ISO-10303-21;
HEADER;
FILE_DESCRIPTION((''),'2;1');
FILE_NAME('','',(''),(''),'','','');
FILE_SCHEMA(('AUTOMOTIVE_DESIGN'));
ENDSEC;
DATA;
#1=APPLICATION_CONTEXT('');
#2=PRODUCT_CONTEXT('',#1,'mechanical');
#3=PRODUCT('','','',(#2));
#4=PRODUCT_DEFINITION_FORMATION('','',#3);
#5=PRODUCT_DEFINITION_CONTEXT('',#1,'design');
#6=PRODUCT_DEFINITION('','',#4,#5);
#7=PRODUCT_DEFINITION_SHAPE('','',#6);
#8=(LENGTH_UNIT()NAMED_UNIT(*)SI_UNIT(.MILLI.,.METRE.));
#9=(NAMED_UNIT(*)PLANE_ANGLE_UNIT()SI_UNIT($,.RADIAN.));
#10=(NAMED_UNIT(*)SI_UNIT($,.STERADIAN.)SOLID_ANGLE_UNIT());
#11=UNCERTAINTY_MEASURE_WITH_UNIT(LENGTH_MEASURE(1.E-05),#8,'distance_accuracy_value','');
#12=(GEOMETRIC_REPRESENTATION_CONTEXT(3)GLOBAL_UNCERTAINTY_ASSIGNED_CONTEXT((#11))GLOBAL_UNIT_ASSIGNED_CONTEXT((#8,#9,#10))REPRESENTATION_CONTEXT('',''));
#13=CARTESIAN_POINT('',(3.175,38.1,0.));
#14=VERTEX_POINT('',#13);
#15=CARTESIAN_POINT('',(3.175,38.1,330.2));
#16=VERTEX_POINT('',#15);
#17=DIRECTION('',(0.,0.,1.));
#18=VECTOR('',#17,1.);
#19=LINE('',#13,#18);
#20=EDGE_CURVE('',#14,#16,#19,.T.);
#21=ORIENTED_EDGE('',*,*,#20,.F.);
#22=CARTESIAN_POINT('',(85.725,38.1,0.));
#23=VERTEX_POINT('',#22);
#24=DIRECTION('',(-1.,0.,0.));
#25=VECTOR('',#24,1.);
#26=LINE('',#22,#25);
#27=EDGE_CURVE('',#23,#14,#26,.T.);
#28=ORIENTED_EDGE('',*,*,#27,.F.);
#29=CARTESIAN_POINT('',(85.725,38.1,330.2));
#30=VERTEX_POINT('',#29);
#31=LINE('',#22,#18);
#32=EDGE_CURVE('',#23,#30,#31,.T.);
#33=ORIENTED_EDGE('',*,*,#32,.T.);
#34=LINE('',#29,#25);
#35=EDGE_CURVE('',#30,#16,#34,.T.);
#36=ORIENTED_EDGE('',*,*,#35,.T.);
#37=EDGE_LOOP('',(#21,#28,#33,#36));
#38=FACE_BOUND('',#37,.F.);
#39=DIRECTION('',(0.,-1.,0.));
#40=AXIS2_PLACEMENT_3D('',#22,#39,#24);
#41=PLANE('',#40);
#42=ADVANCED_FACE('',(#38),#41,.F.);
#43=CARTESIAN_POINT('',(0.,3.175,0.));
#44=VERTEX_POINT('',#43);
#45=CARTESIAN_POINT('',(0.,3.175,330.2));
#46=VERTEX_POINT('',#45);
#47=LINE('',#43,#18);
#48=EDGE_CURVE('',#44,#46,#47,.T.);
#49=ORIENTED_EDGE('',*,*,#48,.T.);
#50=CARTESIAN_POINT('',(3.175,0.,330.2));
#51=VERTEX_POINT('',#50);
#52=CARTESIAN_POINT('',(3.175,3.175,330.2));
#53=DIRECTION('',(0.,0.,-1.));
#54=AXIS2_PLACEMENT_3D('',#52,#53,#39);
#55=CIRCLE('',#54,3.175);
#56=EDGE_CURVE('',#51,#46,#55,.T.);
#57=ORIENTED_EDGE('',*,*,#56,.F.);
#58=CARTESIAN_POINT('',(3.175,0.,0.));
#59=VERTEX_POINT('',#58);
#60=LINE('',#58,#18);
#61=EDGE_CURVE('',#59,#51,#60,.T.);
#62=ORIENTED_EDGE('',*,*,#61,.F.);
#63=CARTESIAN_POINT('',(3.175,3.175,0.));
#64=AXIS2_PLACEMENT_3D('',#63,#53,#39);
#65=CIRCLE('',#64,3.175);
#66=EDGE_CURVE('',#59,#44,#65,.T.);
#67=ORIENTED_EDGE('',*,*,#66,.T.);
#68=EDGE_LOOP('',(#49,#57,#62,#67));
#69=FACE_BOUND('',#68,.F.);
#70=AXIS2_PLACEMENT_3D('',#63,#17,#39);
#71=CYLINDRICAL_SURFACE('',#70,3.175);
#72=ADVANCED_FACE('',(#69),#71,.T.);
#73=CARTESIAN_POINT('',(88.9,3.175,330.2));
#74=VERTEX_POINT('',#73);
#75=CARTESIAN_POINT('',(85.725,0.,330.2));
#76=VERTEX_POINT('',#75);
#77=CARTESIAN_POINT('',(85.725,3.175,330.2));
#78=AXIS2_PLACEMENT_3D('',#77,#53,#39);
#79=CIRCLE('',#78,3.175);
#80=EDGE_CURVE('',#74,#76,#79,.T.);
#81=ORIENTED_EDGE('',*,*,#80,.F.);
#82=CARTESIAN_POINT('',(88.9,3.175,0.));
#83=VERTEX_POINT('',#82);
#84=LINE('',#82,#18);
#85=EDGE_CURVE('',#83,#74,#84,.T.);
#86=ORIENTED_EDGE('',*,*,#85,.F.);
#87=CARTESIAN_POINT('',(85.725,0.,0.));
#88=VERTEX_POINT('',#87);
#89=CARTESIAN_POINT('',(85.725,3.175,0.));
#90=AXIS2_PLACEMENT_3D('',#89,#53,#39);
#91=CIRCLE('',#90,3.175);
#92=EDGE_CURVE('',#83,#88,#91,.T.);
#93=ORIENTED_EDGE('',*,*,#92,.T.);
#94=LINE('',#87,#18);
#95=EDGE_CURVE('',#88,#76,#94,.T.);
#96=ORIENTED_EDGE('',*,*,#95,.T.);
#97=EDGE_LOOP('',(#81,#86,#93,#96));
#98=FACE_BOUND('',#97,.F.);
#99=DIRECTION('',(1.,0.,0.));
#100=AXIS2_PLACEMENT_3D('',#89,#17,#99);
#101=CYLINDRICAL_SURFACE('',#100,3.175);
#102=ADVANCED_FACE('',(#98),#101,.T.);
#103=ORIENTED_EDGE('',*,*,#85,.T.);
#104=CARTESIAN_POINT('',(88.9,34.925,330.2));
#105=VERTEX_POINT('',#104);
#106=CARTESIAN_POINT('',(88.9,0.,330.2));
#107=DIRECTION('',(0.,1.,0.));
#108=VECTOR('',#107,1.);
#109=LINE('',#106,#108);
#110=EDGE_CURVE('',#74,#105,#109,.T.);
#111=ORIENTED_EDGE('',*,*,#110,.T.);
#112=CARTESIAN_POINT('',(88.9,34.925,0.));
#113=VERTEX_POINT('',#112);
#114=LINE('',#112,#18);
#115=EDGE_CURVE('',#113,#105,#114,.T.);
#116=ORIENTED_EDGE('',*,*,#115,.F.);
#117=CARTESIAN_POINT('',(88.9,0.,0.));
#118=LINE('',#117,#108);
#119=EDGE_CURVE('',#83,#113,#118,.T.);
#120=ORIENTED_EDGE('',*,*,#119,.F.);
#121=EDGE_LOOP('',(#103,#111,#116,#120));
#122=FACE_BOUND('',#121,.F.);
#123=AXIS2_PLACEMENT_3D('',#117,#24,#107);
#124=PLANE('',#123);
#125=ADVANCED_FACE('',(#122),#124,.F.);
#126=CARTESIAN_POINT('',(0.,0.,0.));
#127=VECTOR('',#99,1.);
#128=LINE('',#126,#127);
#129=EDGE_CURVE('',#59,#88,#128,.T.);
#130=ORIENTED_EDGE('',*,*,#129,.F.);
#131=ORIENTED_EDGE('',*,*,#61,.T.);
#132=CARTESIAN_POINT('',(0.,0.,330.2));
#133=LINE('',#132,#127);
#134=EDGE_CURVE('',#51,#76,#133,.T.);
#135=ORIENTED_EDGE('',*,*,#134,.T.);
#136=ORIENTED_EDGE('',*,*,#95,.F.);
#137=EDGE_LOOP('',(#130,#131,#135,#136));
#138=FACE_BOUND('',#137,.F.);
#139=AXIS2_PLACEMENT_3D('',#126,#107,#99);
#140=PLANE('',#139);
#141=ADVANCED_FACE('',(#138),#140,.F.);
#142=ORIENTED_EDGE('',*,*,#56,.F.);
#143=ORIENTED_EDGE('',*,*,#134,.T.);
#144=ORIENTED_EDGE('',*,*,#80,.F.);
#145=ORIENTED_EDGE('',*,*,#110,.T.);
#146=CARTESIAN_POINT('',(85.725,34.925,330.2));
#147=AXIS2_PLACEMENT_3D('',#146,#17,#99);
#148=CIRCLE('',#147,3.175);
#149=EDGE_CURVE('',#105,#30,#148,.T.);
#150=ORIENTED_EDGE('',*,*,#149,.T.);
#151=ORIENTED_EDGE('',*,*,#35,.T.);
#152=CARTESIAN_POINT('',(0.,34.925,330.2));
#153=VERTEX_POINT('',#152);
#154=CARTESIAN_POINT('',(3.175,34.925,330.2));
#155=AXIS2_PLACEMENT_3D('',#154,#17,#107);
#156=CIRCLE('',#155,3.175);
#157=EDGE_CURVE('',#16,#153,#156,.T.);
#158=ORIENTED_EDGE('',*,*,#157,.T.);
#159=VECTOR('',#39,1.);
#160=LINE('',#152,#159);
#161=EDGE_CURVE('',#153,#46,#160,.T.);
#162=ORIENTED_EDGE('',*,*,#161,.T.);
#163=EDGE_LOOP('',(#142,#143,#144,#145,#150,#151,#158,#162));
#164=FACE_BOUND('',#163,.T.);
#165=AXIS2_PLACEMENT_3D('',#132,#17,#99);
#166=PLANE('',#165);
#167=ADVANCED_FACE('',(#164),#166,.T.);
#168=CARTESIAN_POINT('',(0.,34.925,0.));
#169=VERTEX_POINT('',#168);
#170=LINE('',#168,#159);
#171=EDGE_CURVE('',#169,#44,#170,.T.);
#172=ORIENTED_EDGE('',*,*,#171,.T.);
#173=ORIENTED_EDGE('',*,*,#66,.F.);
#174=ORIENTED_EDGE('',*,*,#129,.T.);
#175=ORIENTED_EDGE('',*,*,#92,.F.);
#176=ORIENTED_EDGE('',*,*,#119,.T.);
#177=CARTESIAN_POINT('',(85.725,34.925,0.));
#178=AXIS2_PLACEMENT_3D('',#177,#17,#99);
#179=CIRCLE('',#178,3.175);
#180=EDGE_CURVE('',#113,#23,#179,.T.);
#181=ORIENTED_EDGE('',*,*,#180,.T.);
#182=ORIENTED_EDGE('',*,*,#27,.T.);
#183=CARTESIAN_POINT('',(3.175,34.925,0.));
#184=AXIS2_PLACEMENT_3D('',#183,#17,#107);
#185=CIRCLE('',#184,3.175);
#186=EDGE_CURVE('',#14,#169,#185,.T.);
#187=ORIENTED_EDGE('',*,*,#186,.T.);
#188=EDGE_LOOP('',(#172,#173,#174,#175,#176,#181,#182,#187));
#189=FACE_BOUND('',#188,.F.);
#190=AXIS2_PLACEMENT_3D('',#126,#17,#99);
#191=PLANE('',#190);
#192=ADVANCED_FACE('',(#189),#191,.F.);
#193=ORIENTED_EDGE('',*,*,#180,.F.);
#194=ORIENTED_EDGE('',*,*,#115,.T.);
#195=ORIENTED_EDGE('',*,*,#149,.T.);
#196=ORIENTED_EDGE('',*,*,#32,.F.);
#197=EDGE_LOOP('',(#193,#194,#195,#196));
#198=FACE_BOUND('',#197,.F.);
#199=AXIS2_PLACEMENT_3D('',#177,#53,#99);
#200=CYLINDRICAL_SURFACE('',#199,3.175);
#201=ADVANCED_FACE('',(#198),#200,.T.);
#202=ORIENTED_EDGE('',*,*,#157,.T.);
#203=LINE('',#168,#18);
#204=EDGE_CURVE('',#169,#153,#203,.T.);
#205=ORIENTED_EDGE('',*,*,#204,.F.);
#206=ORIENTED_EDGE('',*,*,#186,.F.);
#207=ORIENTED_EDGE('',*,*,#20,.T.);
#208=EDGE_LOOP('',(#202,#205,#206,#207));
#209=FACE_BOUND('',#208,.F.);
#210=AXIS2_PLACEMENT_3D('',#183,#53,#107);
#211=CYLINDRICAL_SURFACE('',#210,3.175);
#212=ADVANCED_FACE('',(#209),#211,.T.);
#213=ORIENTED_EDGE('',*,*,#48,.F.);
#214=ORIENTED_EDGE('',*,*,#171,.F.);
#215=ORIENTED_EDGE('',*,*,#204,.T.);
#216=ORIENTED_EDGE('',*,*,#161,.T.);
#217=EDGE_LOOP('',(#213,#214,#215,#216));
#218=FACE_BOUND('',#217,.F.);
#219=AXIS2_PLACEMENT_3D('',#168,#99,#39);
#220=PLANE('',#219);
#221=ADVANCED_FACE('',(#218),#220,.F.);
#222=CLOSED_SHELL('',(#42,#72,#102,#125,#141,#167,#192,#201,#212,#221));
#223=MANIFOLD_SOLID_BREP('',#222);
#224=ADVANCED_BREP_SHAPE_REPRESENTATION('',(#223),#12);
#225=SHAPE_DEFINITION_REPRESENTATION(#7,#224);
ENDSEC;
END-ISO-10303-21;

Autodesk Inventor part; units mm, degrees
ref_plane "YZ Plane" through (0, 0, 0) normal (1, 0, 0) x (0, 1, 0)
ref_plane "XZ Plane" through (0, 0, 0) normal (0, 1, 0) x (-1, 0, 0)
ref_plane "XY Plane" through (0, 0, 0) normal (0, 0, 1) x (1, 0, 0)
sketch "Sketch1" plane through (0, 0, 0) normal (0, 0, 1) x (1, 0, 0)
  line L0 (0, 0) -> (88.9, 0)
  line L1 (88.9, 0) -> (88.9, 34.925)
  line L2 (85.725, 38.1) -> (3.175, 38.1)
  line L3 (0, 34.925) -> (0, 0)
  arc A0 (3.175, 38.1) -> (0, 34.925) centre (3.175, 34.925) ccw
  arc A1 (88.9, 34.925) -> (85.725, 38.1) centre (85.725, 34.925) ccw
  point P0 (88.9, 38.1)
  point P1 (0, 38.1)
  dimension "Width" = 88.9
  dimension "Height" = 38.1
  dimension "d2" = 3.175
extrude "Extrusion1" add sketch "Sketch1" along normal blind 330.2
fillet "Fillet1" radius 3.175 1 edges at (88.9, 0, 165.1)
fillet "Fillet2" radius 3.175 1 edges at (0, 0, 165.1)
properties part number "2x4x13" material "Wood (Oak)"
